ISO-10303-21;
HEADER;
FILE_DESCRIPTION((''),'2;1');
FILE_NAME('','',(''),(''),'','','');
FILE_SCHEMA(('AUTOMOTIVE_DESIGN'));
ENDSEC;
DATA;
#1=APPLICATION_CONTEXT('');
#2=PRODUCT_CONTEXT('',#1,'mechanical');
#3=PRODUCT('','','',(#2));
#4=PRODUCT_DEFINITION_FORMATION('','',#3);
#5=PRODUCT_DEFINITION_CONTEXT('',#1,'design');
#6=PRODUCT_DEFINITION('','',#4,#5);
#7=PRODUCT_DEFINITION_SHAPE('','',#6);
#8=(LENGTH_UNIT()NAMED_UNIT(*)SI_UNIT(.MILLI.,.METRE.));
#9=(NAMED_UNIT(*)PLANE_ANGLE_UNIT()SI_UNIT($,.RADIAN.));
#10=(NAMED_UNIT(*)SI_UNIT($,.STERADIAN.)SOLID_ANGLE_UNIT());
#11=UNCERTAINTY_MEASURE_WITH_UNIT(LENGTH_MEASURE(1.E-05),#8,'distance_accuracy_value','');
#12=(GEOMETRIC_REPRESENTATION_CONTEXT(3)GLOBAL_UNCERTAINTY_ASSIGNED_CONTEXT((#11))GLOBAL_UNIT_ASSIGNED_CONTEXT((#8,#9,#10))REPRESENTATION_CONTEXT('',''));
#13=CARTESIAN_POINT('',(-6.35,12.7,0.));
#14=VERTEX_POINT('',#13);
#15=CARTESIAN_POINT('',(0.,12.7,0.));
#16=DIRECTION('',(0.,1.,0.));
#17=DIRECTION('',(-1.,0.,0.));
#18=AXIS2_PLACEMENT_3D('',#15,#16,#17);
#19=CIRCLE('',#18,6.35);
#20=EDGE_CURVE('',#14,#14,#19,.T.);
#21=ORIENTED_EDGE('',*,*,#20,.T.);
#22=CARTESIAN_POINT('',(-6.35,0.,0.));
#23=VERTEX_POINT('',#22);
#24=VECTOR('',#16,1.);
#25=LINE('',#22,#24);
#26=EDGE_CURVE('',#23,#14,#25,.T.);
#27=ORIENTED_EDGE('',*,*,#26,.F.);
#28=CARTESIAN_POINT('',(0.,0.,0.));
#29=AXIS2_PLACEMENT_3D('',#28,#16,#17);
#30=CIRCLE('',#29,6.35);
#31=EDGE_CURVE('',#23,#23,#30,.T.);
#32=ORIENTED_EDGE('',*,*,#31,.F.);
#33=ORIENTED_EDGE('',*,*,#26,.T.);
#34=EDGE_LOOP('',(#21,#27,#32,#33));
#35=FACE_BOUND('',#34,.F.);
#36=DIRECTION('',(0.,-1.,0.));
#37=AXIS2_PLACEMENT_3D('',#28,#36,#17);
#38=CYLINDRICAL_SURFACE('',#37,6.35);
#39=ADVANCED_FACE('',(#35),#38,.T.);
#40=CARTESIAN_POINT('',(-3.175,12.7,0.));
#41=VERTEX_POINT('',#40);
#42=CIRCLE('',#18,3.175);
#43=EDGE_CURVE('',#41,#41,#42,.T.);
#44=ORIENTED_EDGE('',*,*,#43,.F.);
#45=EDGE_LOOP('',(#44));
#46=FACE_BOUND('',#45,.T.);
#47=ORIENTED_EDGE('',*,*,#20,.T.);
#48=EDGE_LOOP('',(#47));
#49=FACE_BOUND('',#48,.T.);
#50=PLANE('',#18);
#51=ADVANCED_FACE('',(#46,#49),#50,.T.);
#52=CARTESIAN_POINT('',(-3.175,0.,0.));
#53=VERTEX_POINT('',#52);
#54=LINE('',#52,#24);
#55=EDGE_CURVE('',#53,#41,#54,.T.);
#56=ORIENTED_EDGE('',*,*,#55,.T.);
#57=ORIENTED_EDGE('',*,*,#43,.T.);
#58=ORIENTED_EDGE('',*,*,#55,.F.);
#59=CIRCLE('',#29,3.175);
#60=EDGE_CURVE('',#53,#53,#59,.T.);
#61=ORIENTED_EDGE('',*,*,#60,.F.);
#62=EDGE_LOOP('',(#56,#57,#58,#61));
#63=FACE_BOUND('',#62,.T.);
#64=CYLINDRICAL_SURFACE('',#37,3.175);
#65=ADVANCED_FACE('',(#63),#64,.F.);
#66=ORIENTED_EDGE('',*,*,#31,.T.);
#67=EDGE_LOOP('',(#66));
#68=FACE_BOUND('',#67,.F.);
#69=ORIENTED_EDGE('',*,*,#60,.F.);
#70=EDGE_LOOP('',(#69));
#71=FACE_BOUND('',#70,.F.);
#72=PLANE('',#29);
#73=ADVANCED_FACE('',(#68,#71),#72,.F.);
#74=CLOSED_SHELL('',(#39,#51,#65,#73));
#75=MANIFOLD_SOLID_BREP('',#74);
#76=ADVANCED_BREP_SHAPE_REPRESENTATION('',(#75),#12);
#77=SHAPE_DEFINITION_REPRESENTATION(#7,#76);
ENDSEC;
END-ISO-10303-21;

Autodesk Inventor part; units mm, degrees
ref_plane "YZ Plane" through (0, 0, 0) normal (1, 0, 0) x (0, 1, 0)
ref_plane "XZ Plane" through (0, 0, 0) normal (0, 1, 0) x (-1, 0, 0)
ref_plane "XY Plane" through (0, 0, 0) normal (0, 0, 1) x (1, 0, 0)
sketch "Sketch1" plane through (0, 0, 0) normal (0, 1, 0) x (-1, 0, 0)
  circle A0 centre (0, 0) radius 3.175
  circle A1 centre (0, 0) radius 6.35
  dimension "d0" = 6.35
  dimension "d1" = 12.7
extrude "Extrusion1" add sketch "Sketch1" along normal blind 12.7
properties part number "2AM-17-P-5202 - arm supports" material "Aluminum 6061"
